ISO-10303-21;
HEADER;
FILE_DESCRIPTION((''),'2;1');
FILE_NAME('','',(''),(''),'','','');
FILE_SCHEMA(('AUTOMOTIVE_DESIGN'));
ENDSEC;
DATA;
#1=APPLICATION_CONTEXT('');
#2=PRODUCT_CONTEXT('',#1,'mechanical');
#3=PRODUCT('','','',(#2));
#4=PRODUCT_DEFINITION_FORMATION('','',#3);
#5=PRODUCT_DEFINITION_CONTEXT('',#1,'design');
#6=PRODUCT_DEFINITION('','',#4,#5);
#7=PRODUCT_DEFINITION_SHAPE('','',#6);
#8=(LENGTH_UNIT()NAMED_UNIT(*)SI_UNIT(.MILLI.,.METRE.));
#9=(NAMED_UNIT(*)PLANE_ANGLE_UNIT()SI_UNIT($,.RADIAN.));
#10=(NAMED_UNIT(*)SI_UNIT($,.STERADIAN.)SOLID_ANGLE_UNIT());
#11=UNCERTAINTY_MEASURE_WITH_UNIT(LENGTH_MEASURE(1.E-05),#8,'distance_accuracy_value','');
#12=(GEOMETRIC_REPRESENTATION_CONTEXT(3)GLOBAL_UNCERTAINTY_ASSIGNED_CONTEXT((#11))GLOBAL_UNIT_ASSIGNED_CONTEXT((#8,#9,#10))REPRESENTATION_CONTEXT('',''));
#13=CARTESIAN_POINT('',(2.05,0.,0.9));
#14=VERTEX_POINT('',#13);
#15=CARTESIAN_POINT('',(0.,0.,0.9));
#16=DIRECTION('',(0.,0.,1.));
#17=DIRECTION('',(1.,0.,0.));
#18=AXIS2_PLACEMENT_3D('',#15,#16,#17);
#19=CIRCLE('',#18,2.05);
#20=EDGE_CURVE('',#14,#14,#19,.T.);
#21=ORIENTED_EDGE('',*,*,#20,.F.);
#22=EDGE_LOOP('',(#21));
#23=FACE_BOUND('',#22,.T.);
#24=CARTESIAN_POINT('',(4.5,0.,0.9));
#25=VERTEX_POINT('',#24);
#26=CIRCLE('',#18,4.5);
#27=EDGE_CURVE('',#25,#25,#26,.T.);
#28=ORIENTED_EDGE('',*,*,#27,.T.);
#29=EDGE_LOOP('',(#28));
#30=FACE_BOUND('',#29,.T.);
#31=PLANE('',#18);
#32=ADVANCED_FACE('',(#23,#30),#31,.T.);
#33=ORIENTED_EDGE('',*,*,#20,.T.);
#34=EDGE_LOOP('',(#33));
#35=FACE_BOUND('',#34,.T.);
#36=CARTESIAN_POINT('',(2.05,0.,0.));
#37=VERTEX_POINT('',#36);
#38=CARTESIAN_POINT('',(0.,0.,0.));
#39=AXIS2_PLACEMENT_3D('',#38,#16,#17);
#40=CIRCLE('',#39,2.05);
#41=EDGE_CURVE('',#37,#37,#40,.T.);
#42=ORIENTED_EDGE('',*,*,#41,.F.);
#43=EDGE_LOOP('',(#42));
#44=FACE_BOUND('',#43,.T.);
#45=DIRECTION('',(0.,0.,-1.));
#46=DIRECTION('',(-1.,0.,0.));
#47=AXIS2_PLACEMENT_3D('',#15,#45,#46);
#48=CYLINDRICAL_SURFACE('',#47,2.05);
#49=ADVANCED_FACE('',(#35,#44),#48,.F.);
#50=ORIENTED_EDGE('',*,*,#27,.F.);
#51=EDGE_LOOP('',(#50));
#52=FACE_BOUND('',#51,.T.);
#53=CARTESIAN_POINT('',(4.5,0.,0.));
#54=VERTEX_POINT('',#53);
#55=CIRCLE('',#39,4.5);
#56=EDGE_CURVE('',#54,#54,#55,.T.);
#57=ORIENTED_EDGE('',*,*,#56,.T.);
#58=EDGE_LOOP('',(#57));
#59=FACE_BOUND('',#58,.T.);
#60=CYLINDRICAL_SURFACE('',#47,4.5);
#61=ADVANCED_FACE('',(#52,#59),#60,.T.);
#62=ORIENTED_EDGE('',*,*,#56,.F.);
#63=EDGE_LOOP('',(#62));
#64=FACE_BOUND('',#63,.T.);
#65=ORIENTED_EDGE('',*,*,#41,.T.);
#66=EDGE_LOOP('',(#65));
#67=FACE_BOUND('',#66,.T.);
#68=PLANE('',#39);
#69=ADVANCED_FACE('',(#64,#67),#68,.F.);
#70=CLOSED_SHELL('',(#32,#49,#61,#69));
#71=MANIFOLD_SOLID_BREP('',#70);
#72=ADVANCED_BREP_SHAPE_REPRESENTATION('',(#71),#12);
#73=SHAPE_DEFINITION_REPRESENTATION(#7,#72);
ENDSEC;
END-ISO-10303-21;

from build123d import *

# Parameters (mm, degrees)
ESBO_O1_R                = 4.5
ESBO_O1_R_2              = 2.05
RESSALTO_EXTRUS_O1_DEPTH = 0.9


with BuildPart() as part:
    # Esboço1 → Ressalto-extrusão1 (new body)
    with BuildSketch(Plane.XY):
        Circle(ESBO_O1_R)
        Circle(ESBO_O1_R_2, mode=Mode.SUBTRACT)
    extrude(amount=RESSALTO_EXTRUS_O1_DEPTH)


solid = part.part
